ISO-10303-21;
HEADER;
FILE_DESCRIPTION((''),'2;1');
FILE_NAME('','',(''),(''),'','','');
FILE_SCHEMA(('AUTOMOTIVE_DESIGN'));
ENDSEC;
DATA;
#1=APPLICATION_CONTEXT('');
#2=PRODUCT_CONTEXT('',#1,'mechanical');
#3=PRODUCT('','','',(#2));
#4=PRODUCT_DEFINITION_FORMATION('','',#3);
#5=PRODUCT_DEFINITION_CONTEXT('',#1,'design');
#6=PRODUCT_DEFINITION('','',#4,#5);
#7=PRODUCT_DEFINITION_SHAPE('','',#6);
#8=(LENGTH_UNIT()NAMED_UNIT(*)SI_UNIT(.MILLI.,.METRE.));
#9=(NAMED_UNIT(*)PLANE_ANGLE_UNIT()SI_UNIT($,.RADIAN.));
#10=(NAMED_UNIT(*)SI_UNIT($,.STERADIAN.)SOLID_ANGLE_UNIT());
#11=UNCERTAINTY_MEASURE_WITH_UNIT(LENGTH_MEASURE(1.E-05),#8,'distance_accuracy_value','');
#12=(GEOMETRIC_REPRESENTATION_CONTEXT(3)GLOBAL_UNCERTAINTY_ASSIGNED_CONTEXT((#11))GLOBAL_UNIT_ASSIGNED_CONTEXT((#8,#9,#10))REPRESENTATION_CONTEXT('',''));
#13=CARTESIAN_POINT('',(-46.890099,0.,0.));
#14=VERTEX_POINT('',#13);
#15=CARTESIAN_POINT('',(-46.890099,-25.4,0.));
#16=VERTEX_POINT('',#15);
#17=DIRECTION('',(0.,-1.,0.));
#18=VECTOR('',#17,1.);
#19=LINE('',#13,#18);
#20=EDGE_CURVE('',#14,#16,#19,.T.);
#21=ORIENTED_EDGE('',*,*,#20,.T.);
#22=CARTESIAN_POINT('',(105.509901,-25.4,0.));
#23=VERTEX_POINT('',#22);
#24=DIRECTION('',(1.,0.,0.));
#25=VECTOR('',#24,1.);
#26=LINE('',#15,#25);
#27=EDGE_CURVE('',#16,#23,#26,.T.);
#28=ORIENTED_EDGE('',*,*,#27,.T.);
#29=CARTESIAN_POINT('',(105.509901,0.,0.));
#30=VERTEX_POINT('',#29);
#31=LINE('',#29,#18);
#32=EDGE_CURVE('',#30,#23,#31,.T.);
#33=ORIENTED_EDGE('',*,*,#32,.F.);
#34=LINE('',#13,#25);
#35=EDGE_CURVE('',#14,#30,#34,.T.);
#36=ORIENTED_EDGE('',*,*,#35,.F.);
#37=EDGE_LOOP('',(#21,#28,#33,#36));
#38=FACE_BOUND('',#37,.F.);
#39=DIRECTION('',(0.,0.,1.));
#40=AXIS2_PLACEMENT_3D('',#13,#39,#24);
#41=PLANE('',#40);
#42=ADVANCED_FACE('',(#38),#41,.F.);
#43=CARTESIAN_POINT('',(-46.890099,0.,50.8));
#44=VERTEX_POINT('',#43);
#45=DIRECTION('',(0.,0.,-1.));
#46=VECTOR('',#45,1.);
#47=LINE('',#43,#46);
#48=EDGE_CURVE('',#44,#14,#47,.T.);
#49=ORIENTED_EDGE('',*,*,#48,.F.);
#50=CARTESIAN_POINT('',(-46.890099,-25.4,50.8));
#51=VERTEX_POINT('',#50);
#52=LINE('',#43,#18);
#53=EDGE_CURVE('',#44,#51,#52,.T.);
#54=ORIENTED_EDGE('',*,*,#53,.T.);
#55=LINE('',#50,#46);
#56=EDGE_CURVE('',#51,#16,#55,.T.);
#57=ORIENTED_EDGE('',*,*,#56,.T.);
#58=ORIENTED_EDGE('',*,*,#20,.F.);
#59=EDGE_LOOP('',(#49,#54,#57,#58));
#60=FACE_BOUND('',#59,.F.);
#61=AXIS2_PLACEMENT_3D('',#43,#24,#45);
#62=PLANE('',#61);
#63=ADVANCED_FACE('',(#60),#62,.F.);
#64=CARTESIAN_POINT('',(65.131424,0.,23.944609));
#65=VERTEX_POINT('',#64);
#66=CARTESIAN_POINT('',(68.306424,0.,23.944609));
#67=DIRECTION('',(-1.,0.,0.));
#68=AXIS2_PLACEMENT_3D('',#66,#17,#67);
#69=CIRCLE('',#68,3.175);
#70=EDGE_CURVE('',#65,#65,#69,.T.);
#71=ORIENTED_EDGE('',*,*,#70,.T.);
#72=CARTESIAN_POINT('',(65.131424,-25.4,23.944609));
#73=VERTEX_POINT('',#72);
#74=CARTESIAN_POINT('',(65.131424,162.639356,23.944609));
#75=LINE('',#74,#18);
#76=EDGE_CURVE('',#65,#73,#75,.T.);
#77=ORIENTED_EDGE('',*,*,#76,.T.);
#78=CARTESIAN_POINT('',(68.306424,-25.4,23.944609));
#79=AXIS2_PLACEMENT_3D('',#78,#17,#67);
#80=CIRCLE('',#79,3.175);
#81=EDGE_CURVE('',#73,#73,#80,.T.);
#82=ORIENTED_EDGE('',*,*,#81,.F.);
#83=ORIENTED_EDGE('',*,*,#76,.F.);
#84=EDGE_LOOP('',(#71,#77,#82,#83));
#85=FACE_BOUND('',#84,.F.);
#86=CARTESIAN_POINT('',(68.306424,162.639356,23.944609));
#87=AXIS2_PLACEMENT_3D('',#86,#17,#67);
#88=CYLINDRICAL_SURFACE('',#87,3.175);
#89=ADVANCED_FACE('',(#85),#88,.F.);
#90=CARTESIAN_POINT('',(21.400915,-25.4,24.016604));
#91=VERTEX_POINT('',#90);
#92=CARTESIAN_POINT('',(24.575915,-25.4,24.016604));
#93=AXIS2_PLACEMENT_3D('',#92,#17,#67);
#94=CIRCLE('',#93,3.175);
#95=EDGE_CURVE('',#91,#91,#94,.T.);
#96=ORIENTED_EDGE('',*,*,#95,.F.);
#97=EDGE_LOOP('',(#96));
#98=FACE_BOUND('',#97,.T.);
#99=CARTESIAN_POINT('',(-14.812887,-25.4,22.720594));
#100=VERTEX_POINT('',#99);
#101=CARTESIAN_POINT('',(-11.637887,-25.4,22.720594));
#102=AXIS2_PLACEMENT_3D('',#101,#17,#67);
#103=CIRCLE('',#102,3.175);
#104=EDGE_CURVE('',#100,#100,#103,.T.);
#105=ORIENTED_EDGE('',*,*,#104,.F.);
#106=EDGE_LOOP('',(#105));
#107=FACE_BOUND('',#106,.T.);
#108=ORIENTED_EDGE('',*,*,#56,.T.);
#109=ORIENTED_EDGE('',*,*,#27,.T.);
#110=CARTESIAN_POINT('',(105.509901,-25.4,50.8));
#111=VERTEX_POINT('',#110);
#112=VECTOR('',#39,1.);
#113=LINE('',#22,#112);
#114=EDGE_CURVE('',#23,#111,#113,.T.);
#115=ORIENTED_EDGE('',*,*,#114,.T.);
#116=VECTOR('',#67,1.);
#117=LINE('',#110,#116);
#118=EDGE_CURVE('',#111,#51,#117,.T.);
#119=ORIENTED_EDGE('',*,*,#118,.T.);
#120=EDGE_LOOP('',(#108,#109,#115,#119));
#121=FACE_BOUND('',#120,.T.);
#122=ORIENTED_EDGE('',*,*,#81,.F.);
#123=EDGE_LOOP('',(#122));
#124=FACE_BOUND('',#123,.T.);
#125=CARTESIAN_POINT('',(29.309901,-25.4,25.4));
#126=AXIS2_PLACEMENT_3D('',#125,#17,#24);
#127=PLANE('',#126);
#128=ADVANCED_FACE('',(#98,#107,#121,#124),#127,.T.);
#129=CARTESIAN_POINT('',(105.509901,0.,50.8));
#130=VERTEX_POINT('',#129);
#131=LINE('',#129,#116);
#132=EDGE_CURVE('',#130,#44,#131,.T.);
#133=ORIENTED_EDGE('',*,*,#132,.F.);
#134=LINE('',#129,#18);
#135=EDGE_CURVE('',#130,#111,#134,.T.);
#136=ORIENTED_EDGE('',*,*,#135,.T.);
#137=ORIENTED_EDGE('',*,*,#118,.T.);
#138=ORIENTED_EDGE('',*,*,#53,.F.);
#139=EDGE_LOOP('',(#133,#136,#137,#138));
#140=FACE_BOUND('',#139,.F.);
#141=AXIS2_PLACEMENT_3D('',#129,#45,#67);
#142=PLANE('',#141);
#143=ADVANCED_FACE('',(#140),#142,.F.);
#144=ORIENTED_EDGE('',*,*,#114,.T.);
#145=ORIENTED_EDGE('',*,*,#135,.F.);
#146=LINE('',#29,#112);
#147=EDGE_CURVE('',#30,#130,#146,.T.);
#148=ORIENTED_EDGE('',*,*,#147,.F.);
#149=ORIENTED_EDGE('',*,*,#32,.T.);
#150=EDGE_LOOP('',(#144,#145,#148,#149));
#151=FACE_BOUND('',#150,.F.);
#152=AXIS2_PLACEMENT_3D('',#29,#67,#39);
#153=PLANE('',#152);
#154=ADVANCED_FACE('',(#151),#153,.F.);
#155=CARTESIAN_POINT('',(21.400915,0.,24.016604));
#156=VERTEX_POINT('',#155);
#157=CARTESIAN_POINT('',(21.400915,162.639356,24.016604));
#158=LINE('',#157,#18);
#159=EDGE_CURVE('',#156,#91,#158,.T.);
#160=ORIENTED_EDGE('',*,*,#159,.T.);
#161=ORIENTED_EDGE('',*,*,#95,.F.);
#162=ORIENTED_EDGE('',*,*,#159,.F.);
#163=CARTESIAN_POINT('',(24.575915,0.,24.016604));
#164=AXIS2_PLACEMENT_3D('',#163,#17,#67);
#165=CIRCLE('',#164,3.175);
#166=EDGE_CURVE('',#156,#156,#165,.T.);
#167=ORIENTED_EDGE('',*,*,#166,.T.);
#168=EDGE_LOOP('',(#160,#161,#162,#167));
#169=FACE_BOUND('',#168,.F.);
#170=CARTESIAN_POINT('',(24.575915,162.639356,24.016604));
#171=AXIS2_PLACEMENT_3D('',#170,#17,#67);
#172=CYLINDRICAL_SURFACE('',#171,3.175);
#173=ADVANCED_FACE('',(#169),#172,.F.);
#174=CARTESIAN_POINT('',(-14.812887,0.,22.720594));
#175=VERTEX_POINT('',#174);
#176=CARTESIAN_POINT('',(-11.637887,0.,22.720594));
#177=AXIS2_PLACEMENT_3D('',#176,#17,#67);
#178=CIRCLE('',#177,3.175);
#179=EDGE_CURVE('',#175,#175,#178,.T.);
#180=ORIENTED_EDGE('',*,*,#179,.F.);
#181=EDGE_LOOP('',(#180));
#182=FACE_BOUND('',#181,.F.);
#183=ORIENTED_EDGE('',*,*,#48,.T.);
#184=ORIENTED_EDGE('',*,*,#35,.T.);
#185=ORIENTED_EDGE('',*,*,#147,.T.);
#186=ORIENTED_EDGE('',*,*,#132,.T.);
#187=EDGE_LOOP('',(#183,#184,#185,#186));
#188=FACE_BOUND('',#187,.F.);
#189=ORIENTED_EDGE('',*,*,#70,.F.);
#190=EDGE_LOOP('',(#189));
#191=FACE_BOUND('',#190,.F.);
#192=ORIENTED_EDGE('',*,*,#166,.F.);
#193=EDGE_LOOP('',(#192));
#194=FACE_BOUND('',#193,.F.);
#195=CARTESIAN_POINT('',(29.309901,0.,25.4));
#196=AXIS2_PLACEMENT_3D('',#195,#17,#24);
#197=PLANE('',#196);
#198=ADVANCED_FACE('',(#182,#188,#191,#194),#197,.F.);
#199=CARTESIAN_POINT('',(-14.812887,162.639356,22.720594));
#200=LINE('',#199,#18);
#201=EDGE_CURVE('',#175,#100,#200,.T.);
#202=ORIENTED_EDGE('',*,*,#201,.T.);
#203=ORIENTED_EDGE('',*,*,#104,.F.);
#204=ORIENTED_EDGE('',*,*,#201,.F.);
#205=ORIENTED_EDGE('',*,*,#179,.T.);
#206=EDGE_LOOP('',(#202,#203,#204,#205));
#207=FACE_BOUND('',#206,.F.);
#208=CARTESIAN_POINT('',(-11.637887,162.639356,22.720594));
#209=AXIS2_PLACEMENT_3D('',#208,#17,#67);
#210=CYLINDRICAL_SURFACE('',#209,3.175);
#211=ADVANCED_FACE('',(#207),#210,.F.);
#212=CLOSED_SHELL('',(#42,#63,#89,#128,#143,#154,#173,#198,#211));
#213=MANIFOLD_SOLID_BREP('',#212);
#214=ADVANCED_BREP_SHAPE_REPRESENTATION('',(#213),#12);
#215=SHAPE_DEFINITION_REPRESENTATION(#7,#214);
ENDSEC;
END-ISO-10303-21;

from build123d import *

# Parameters (mm, degrees)
F1_DEPTH = 25.4
F2_D     = 6.35


with BuildPart() as f1:
    # F0 (on Front) → F1 (new body)
    with BuildSketch(Plane.XZ):
        Polygon((31.6425718893, 50.8), (-46.8900987147, 50.8), (-46.8900987147, 0), (31.6425718893, 0), (34.2237182177, 0), (105.5099012853, 0), (105.5099012853, 50.8), (34.2237182177, 50.8), align=None)
    extrude(amount=F1_DEPTH)

    # F2 (through all)
    with Locations(Plane(origin=(0, 0, 0), x_dir=(1, 0, 0), z_dir=(0, 1, 0))):
        with Locations((24.5759151876, -24.0166038275), (-11.6378869861, -22.7205939591), (68.3064237237, -23.9446088672)):
            Hole(F2_D / 2)


solid = f1.part
